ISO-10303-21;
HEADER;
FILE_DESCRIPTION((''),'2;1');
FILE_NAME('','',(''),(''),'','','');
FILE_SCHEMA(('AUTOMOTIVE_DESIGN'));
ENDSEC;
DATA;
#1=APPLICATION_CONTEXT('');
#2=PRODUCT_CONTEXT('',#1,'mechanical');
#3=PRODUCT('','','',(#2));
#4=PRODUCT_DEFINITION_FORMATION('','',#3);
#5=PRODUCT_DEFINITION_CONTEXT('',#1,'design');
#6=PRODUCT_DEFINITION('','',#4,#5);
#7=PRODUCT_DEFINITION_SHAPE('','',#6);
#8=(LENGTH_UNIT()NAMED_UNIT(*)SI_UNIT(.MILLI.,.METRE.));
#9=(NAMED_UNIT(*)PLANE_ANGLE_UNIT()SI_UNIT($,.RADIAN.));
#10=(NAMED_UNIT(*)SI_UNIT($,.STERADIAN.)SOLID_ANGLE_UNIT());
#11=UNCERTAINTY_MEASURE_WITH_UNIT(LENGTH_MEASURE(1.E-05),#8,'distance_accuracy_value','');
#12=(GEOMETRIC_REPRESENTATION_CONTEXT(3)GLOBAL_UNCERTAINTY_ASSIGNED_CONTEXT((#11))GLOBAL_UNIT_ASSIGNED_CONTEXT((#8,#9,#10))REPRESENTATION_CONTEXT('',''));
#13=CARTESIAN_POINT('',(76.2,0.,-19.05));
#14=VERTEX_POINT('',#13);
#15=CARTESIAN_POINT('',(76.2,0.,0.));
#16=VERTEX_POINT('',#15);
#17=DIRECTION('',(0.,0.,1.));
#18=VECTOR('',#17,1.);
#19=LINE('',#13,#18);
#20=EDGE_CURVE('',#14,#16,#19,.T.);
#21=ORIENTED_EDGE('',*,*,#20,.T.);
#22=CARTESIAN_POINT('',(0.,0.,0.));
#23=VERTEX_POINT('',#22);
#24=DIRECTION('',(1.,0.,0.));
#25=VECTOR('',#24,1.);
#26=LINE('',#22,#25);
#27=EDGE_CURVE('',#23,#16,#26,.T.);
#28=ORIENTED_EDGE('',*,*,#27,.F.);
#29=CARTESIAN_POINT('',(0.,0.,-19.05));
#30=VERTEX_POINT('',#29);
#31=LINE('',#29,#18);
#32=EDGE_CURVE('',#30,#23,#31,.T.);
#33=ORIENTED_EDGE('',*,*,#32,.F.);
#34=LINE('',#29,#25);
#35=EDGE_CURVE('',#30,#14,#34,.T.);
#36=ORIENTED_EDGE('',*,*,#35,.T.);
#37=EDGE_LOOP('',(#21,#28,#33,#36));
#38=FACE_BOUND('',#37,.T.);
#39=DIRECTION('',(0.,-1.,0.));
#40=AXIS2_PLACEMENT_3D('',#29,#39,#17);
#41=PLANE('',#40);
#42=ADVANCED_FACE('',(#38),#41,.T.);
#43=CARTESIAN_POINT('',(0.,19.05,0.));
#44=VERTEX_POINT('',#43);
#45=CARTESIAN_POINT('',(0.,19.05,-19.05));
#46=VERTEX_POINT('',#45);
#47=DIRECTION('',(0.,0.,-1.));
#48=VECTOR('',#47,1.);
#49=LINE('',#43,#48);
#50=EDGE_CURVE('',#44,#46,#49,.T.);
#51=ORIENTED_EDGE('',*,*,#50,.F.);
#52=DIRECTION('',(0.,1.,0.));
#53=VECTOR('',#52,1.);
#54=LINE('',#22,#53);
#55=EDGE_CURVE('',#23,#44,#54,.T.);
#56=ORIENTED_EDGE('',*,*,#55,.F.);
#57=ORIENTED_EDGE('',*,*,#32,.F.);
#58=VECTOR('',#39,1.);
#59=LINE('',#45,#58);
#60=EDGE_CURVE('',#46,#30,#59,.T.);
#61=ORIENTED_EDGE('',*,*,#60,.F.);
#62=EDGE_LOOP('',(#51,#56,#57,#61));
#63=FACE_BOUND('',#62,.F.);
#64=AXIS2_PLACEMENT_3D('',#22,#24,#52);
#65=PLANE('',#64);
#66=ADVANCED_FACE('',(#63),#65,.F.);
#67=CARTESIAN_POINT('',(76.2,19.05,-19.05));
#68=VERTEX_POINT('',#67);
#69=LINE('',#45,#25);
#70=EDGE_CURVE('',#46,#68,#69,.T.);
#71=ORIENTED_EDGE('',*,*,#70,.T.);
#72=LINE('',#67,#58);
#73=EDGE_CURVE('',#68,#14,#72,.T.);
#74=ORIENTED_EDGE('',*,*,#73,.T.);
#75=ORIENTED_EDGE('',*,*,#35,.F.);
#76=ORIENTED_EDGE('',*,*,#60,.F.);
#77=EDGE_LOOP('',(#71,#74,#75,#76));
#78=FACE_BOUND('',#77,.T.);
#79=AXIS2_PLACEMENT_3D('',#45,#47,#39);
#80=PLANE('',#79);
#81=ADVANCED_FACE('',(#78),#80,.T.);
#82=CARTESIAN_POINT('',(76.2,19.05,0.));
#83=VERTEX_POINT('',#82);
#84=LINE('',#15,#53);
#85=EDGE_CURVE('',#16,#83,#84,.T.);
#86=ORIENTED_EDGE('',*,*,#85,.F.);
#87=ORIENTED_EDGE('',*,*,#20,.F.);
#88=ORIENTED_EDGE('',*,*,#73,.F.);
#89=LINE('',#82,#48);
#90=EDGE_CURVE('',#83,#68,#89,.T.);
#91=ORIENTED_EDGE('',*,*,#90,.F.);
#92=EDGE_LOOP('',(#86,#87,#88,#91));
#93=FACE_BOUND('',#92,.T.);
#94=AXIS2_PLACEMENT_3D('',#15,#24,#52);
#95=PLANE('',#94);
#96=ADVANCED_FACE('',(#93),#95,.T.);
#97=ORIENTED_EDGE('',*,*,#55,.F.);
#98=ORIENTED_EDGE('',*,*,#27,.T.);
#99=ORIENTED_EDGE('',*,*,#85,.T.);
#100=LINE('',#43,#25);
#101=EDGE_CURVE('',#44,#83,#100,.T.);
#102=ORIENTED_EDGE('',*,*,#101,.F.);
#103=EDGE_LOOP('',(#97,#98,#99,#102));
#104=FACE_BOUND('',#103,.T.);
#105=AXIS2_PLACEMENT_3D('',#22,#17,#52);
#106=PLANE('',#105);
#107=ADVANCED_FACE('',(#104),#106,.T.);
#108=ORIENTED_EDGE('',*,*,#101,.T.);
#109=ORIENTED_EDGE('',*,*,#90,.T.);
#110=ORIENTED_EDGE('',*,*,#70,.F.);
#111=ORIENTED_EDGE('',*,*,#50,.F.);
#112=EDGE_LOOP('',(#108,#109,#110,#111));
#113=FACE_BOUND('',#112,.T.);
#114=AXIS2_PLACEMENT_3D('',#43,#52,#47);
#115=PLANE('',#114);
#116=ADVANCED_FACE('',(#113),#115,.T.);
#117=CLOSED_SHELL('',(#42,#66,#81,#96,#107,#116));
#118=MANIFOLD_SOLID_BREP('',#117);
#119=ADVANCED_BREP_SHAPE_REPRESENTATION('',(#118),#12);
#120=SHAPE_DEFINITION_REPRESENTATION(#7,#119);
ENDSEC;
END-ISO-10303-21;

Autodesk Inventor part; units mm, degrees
ref_plane "YZ Plane" through (0, 0, 0) normal (1, 0, 0) x (0, 1, 0)
ref_plane "XZ Plane" through (0, 0, 0) normal (0, 1, 0) x (-1, 0, 0)
ref_plane "XY Plane" through (0, 0, 0) normal (0, 0, 1) x (1, 0, 0)
sketch "Sketch1" plane through (0, 0, 0) normal (1, 0, 0) x (0, 1, 0)
  line L0 (0, 0) -> (19.05, 0)
  line L1 (19.05, 0) -> (19.05, -19.05)
  line L2 (19.05, -19.05) -> (0, -19.05)
  line L3 (0, -19.05) -> (0, 0)
  dimension "d0" = 19.05
  dimension "d1" = 19.05
extrude "Extrusion1" add sketch "Sketch1" along normal blind 76.2
properties part number "pillar 2"
